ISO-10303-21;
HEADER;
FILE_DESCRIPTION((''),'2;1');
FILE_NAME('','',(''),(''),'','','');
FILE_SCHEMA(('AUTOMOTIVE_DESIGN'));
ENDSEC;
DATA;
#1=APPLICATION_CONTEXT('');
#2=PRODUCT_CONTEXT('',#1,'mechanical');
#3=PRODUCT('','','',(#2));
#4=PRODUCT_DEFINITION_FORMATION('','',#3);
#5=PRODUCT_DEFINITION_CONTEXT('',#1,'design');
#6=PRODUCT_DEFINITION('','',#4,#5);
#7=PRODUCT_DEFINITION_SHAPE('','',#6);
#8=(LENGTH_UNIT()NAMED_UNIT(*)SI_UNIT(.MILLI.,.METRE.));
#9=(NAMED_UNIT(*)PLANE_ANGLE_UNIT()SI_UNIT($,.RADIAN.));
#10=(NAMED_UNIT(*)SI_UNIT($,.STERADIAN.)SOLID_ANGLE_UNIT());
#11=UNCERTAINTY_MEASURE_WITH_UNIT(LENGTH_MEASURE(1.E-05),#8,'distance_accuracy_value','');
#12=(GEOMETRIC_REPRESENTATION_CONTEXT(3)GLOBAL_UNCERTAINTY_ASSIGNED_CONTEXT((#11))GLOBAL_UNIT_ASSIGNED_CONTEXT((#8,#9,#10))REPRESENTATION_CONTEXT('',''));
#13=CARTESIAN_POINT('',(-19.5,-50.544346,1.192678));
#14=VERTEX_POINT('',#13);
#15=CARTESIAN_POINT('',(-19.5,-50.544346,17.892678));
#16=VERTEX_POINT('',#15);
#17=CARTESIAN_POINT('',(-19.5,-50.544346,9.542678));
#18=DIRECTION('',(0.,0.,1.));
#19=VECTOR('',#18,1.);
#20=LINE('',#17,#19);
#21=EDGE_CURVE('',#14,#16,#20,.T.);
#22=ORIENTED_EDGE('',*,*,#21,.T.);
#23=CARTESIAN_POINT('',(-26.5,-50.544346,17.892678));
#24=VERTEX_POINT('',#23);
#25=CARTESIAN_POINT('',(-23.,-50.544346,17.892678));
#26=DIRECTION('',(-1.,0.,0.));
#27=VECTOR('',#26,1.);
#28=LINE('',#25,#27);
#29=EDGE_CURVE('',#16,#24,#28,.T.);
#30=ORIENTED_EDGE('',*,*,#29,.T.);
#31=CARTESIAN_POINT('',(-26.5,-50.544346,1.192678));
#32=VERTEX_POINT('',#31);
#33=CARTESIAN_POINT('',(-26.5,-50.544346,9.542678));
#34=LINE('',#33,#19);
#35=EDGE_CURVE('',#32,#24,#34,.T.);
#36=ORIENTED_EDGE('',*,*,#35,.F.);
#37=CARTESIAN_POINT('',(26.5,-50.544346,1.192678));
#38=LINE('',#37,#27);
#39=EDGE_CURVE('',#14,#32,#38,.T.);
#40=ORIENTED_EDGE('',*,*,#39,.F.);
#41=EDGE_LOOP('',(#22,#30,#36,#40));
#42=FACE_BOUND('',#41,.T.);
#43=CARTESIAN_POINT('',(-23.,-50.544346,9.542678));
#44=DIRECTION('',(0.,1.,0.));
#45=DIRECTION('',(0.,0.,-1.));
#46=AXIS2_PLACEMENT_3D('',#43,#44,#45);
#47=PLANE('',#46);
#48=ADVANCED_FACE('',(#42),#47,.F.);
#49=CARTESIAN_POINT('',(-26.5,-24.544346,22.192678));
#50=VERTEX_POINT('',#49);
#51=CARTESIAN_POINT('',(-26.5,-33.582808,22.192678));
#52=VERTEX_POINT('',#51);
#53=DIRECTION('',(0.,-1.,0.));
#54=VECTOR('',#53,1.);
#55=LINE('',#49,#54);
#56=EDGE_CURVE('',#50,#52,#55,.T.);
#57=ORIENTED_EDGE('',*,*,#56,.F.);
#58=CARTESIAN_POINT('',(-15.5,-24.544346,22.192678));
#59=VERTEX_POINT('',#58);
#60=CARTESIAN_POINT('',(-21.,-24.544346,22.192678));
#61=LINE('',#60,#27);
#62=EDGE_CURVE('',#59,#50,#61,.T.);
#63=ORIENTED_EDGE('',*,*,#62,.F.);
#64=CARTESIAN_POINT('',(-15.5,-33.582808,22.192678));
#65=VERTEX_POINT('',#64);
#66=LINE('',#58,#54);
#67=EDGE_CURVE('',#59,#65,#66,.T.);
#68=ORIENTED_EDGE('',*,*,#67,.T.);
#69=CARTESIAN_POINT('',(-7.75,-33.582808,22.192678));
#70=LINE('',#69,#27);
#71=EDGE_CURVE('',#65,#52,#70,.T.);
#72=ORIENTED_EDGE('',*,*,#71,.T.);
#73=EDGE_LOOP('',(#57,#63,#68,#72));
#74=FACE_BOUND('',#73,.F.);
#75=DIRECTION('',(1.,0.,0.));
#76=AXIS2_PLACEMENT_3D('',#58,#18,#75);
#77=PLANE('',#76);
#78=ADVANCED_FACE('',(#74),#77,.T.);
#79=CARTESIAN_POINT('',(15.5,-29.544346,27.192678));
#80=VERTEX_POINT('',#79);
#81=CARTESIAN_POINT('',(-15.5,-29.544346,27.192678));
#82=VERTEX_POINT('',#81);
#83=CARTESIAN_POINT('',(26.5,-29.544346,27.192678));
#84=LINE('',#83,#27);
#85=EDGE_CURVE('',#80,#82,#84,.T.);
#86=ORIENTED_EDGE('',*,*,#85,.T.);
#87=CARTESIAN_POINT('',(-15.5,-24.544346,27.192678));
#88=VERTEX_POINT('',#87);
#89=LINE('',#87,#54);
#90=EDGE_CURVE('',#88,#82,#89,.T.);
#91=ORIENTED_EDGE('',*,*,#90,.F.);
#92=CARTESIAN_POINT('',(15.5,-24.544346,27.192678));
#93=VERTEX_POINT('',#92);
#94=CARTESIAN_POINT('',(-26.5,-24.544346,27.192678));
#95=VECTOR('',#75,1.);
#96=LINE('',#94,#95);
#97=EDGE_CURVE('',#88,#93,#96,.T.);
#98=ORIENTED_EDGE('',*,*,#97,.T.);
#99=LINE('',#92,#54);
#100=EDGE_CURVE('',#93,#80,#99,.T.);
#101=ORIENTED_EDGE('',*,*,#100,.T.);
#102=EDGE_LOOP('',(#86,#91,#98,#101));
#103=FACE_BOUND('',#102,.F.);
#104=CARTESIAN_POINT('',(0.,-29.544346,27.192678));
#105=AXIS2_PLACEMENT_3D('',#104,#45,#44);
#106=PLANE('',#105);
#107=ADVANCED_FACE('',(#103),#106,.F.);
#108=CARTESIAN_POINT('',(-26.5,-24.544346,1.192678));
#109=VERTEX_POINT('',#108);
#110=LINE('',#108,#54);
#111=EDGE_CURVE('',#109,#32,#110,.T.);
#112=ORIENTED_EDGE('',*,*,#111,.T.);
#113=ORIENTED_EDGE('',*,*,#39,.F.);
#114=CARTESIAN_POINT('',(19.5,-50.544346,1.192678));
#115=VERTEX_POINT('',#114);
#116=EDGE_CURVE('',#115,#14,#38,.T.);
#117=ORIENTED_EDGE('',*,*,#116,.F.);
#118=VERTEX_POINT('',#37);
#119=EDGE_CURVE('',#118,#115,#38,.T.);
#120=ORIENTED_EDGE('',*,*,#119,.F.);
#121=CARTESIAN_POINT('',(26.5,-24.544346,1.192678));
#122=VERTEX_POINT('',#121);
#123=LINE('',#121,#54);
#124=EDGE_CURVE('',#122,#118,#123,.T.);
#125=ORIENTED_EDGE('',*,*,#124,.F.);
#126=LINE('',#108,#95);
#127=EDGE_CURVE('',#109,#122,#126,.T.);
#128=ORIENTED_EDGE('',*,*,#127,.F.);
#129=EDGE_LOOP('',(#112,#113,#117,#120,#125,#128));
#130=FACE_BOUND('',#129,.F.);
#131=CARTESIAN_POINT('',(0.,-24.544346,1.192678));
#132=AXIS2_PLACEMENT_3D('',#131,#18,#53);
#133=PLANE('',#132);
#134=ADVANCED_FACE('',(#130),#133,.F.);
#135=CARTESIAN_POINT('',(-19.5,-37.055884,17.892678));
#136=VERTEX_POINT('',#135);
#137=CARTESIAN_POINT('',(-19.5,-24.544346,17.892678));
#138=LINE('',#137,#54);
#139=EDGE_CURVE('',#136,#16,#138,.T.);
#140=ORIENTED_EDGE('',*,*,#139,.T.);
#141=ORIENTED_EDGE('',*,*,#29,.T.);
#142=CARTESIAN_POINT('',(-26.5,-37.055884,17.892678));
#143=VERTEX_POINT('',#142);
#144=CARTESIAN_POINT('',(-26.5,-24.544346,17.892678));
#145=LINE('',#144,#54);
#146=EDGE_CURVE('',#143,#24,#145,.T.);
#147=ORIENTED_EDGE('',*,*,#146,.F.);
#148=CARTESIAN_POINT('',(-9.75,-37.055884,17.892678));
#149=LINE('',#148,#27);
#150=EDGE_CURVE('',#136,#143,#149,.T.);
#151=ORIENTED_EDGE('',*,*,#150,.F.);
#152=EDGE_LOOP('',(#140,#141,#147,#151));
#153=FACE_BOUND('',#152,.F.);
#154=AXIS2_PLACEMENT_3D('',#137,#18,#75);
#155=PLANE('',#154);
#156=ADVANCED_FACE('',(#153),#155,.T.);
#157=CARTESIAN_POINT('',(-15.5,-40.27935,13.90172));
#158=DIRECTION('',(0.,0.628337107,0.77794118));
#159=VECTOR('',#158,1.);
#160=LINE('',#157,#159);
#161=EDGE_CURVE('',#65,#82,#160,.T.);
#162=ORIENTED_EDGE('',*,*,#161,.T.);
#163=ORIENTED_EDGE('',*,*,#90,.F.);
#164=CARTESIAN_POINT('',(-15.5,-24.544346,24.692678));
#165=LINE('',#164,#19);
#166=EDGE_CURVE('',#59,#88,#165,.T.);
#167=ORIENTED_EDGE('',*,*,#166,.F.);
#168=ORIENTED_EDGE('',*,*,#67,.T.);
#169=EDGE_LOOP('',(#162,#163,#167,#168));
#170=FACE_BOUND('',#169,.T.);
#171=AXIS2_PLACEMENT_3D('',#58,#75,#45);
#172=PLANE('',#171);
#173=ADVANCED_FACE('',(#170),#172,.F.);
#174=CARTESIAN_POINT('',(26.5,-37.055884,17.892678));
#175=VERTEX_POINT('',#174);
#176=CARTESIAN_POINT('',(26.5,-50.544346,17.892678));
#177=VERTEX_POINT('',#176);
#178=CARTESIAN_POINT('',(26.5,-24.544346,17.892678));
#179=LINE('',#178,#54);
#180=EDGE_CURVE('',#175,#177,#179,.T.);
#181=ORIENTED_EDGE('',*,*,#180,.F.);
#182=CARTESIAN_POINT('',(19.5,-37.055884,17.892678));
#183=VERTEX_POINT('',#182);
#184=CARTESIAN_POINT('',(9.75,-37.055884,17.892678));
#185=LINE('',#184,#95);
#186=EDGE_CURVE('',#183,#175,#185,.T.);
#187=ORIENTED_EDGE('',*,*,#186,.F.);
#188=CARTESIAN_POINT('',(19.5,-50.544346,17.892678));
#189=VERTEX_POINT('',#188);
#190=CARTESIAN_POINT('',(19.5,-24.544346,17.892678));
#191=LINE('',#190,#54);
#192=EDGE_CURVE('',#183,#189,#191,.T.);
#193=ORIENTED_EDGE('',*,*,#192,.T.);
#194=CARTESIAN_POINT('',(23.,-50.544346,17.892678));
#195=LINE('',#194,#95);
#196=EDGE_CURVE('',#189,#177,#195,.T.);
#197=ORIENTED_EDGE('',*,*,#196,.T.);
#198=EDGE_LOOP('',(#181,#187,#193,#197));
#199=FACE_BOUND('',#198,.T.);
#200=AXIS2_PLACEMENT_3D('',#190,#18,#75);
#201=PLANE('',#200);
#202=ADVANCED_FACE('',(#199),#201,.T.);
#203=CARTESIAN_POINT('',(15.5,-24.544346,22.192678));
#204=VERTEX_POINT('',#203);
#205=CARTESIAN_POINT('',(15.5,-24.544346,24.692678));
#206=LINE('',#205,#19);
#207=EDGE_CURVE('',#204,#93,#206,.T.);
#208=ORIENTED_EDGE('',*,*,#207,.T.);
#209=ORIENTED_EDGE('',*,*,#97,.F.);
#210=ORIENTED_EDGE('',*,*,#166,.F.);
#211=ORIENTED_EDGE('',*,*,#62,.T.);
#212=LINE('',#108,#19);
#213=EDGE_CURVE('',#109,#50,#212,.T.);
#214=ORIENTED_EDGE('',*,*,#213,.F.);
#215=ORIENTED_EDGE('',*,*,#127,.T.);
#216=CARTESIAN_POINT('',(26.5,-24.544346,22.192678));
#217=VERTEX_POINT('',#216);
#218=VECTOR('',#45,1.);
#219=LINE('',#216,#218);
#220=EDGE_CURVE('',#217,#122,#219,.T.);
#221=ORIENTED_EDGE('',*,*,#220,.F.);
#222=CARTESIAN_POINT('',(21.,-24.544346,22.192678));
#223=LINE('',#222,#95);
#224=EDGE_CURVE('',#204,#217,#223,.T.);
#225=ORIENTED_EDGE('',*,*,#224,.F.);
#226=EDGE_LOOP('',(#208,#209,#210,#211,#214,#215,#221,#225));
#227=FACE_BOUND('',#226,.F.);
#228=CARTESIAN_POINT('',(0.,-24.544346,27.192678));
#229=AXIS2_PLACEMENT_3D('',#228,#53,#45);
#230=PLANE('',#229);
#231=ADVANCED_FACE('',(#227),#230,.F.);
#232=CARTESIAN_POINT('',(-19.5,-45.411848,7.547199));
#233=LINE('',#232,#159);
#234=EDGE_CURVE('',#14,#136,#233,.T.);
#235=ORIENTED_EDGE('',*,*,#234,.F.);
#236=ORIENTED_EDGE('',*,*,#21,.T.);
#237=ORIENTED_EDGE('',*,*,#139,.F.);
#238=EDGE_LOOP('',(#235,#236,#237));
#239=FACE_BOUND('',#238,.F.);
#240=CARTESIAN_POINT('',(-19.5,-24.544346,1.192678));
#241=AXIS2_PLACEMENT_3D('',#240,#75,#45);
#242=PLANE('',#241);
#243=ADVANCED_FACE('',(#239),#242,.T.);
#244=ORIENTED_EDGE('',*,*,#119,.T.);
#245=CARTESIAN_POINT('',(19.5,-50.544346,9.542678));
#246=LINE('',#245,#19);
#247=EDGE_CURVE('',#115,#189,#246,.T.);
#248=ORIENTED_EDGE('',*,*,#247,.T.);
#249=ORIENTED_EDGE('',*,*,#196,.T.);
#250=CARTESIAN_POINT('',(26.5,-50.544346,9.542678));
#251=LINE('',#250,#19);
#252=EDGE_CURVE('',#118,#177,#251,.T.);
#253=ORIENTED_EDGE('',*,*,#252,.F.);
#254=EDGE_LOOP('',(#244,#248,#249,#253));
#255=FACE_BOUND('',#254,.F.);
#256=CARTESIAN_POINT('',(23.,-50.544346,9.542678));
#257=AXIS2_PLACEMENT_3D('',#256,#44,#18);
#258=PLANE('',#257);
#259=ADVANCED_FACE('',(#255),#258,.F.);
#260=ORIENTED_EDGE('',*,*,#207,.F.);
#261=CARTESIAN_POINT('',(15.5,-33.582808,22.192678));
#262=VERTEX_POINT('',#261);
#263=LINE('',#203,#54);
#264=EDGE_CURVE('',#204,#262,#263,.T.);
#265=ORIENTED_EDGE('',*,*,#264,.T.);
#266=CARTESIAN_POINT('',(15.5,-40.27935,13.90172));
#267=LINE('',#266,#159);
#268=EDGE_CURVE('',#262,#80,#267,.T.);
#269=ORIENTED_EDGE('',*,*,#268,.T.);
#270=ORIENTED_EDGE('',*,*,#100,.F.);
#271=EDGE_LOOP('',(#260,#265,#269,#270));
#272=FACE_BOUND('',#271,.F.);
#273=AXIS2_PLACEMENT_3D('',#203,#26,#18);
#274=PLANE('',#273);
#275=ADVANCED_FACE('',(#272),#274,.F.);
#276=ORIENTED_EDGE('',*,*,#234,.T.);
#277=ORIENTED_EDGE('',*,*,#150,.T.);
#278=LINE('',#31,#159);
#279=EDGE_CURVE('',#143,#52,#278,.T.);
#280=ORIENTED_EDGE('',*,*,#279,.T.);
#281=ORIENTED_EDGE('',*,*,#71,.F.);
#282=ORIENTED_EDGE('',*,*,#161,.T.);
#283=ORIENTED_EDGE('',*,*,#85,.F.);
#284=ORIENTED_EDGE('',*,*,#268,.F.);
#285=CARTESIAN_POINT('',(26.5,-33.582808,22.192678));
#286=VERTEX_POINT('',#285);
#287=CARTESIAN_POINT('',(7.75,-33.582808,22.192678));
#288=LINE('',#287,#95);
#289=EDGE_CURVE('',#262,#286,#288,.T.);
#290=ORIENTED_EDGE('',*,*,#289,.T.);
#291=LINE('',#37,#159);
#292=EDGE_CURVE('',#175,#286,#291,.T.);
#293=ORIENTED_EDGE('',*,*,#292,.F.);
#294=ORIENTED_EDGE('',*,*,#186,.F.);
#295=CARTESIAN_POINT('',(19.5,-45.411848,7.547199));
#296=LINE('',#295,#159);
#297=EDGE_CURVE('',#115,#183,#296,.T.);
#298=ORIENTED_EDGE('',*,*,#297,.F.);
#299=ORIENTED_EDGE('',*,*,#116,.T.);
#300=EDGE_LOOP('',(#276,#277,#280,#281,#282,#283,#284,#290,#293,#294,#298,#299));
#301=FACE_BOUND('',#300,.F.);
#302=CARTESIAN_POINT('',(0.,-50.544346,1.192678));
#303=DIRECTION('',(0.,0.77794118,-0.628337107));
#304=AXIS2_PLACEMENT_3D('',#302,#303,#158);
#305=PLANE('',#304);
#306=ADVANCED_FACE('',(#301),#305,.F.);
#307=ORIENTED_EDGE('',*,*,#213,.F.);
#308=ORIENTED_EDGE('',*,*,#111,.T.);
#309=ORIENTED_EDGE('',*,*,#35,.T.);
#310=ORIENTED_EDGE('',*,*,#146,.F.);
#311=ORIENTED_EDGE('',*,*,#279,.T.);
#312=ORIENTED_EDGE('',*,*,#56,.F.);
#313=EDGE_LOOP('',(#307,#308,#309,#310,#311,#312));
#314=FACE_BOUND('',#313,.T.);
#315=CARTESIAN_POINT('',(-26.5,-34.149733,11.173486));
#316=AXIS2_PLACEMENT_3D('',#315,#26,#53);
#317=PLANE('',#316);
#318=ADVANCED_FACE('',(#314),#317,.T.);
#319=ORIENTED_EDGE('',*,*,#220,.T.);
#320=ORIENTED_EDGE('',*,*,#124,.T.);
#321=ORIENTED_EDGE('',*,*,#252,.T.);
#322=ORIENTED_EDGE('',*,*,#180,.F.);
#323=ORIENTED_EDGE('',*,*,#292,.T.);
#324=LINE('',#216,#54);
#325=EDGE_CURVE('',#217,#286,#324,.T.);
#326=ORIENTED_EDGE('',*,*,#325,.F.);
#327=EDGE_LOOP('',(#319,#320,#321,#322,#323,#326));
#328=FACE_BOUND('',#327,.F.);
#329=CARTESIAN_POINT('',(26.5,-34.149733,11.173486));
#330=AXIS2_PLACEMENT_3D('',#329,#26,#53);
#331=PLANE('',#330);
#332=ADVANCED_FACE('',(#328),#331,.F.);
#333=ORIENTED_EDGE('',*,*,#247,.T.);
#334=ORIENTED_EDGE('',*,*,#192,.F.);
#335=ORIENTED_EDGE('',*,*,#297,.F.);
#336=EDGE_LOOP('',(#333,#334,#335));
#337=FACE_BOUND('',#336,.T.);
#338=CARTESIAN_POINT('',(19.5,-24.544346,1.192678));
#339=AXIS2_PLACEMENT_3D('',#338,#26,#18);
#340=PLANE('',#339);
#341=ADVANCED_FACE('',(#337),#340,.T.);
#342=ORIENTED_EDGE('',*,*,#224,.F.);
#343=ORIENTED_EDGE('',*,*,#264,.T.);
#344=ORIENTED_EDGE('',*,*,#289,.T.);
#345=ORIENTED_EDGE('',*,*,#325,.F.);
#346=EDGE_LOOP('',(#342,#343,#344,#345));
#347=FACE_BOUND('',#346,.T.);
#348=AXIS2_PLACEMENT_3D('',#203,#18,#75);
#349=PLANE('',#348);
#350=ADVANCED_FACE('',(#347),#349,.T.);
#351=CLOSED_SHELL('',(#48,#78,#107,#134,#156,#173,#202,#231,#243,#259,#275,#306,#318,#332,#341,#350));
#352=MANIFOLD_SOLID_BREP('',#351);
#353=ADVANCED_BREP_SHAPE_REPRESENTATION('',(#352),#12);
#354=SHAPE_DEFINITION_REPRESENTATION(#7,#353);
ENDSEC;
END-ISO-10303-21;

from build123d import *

# Parameters (mm, degrees)
PAD_DEPTH      = 26.5
PAD_DEPTH_BACK = 26.5
SKETCH001_W    = 5
SKETCH001_H    = 11
POCKET_DEPTH   = 10
SKETCH002_W    = 16.7
SKETCH002_H    = 7
PAD001_DEPTH   = 26


with BuildPart() as part:
    # Sketch → Pad (new body, two sides)
    with BuildSketch(Plane.YZ) as pad_sk:
        Polygon((-24.544346, 1.192678), (-50.544346, 1.192678), (-29.544346, 27.192678), (-24.544346, 27.192678), align=None)
    extrude(amount=PAD_DEPTH)
    extrude(pad_sk.sketch, amount=-PAD_DEPTH_BACK)

    # Sketch001 (on Face4 of Pad) → Pocket (cut)
    with BuildSketch(Plane.ZX.offset(-24.544346)):
        with Locations((24.692678, 21)):
            Rectangle(SKETCH001_W, SKETCH001_H)
    pocket = extrude(amount=-POCKET_DEPTH, mode=Mode.SUBTRACT)

    # Mirrored: Pocket across Sketch001 H_Axis
    add(pocket.mirror(Plane(origin=(0, -24.544346, 0), x_dir=(0, 1, 0), z_dir=(1, 0, 0))), mode=Mode.SUBTRACT)

    # Sketch002 (on Face2 of Mirrored) → Pad001 (join)
    with BuildSketch(Plane.ZX.offset(-24.544346)):
        with Locations((9.542678, 23)):
            Rectangle(SKETCH002_W, SKETCH002_H)
    pad001 = extrude(amount=-PAD001_DEPTH)

    # Mirrored001: Pad001 across Sketch002 H_Axis
    add(pad001.mirror(Plane(origin=(0, -24.544346, 0), x_dir=(0, 1, 0), z_dir=(1, 0, 0))))


solid = part.part
